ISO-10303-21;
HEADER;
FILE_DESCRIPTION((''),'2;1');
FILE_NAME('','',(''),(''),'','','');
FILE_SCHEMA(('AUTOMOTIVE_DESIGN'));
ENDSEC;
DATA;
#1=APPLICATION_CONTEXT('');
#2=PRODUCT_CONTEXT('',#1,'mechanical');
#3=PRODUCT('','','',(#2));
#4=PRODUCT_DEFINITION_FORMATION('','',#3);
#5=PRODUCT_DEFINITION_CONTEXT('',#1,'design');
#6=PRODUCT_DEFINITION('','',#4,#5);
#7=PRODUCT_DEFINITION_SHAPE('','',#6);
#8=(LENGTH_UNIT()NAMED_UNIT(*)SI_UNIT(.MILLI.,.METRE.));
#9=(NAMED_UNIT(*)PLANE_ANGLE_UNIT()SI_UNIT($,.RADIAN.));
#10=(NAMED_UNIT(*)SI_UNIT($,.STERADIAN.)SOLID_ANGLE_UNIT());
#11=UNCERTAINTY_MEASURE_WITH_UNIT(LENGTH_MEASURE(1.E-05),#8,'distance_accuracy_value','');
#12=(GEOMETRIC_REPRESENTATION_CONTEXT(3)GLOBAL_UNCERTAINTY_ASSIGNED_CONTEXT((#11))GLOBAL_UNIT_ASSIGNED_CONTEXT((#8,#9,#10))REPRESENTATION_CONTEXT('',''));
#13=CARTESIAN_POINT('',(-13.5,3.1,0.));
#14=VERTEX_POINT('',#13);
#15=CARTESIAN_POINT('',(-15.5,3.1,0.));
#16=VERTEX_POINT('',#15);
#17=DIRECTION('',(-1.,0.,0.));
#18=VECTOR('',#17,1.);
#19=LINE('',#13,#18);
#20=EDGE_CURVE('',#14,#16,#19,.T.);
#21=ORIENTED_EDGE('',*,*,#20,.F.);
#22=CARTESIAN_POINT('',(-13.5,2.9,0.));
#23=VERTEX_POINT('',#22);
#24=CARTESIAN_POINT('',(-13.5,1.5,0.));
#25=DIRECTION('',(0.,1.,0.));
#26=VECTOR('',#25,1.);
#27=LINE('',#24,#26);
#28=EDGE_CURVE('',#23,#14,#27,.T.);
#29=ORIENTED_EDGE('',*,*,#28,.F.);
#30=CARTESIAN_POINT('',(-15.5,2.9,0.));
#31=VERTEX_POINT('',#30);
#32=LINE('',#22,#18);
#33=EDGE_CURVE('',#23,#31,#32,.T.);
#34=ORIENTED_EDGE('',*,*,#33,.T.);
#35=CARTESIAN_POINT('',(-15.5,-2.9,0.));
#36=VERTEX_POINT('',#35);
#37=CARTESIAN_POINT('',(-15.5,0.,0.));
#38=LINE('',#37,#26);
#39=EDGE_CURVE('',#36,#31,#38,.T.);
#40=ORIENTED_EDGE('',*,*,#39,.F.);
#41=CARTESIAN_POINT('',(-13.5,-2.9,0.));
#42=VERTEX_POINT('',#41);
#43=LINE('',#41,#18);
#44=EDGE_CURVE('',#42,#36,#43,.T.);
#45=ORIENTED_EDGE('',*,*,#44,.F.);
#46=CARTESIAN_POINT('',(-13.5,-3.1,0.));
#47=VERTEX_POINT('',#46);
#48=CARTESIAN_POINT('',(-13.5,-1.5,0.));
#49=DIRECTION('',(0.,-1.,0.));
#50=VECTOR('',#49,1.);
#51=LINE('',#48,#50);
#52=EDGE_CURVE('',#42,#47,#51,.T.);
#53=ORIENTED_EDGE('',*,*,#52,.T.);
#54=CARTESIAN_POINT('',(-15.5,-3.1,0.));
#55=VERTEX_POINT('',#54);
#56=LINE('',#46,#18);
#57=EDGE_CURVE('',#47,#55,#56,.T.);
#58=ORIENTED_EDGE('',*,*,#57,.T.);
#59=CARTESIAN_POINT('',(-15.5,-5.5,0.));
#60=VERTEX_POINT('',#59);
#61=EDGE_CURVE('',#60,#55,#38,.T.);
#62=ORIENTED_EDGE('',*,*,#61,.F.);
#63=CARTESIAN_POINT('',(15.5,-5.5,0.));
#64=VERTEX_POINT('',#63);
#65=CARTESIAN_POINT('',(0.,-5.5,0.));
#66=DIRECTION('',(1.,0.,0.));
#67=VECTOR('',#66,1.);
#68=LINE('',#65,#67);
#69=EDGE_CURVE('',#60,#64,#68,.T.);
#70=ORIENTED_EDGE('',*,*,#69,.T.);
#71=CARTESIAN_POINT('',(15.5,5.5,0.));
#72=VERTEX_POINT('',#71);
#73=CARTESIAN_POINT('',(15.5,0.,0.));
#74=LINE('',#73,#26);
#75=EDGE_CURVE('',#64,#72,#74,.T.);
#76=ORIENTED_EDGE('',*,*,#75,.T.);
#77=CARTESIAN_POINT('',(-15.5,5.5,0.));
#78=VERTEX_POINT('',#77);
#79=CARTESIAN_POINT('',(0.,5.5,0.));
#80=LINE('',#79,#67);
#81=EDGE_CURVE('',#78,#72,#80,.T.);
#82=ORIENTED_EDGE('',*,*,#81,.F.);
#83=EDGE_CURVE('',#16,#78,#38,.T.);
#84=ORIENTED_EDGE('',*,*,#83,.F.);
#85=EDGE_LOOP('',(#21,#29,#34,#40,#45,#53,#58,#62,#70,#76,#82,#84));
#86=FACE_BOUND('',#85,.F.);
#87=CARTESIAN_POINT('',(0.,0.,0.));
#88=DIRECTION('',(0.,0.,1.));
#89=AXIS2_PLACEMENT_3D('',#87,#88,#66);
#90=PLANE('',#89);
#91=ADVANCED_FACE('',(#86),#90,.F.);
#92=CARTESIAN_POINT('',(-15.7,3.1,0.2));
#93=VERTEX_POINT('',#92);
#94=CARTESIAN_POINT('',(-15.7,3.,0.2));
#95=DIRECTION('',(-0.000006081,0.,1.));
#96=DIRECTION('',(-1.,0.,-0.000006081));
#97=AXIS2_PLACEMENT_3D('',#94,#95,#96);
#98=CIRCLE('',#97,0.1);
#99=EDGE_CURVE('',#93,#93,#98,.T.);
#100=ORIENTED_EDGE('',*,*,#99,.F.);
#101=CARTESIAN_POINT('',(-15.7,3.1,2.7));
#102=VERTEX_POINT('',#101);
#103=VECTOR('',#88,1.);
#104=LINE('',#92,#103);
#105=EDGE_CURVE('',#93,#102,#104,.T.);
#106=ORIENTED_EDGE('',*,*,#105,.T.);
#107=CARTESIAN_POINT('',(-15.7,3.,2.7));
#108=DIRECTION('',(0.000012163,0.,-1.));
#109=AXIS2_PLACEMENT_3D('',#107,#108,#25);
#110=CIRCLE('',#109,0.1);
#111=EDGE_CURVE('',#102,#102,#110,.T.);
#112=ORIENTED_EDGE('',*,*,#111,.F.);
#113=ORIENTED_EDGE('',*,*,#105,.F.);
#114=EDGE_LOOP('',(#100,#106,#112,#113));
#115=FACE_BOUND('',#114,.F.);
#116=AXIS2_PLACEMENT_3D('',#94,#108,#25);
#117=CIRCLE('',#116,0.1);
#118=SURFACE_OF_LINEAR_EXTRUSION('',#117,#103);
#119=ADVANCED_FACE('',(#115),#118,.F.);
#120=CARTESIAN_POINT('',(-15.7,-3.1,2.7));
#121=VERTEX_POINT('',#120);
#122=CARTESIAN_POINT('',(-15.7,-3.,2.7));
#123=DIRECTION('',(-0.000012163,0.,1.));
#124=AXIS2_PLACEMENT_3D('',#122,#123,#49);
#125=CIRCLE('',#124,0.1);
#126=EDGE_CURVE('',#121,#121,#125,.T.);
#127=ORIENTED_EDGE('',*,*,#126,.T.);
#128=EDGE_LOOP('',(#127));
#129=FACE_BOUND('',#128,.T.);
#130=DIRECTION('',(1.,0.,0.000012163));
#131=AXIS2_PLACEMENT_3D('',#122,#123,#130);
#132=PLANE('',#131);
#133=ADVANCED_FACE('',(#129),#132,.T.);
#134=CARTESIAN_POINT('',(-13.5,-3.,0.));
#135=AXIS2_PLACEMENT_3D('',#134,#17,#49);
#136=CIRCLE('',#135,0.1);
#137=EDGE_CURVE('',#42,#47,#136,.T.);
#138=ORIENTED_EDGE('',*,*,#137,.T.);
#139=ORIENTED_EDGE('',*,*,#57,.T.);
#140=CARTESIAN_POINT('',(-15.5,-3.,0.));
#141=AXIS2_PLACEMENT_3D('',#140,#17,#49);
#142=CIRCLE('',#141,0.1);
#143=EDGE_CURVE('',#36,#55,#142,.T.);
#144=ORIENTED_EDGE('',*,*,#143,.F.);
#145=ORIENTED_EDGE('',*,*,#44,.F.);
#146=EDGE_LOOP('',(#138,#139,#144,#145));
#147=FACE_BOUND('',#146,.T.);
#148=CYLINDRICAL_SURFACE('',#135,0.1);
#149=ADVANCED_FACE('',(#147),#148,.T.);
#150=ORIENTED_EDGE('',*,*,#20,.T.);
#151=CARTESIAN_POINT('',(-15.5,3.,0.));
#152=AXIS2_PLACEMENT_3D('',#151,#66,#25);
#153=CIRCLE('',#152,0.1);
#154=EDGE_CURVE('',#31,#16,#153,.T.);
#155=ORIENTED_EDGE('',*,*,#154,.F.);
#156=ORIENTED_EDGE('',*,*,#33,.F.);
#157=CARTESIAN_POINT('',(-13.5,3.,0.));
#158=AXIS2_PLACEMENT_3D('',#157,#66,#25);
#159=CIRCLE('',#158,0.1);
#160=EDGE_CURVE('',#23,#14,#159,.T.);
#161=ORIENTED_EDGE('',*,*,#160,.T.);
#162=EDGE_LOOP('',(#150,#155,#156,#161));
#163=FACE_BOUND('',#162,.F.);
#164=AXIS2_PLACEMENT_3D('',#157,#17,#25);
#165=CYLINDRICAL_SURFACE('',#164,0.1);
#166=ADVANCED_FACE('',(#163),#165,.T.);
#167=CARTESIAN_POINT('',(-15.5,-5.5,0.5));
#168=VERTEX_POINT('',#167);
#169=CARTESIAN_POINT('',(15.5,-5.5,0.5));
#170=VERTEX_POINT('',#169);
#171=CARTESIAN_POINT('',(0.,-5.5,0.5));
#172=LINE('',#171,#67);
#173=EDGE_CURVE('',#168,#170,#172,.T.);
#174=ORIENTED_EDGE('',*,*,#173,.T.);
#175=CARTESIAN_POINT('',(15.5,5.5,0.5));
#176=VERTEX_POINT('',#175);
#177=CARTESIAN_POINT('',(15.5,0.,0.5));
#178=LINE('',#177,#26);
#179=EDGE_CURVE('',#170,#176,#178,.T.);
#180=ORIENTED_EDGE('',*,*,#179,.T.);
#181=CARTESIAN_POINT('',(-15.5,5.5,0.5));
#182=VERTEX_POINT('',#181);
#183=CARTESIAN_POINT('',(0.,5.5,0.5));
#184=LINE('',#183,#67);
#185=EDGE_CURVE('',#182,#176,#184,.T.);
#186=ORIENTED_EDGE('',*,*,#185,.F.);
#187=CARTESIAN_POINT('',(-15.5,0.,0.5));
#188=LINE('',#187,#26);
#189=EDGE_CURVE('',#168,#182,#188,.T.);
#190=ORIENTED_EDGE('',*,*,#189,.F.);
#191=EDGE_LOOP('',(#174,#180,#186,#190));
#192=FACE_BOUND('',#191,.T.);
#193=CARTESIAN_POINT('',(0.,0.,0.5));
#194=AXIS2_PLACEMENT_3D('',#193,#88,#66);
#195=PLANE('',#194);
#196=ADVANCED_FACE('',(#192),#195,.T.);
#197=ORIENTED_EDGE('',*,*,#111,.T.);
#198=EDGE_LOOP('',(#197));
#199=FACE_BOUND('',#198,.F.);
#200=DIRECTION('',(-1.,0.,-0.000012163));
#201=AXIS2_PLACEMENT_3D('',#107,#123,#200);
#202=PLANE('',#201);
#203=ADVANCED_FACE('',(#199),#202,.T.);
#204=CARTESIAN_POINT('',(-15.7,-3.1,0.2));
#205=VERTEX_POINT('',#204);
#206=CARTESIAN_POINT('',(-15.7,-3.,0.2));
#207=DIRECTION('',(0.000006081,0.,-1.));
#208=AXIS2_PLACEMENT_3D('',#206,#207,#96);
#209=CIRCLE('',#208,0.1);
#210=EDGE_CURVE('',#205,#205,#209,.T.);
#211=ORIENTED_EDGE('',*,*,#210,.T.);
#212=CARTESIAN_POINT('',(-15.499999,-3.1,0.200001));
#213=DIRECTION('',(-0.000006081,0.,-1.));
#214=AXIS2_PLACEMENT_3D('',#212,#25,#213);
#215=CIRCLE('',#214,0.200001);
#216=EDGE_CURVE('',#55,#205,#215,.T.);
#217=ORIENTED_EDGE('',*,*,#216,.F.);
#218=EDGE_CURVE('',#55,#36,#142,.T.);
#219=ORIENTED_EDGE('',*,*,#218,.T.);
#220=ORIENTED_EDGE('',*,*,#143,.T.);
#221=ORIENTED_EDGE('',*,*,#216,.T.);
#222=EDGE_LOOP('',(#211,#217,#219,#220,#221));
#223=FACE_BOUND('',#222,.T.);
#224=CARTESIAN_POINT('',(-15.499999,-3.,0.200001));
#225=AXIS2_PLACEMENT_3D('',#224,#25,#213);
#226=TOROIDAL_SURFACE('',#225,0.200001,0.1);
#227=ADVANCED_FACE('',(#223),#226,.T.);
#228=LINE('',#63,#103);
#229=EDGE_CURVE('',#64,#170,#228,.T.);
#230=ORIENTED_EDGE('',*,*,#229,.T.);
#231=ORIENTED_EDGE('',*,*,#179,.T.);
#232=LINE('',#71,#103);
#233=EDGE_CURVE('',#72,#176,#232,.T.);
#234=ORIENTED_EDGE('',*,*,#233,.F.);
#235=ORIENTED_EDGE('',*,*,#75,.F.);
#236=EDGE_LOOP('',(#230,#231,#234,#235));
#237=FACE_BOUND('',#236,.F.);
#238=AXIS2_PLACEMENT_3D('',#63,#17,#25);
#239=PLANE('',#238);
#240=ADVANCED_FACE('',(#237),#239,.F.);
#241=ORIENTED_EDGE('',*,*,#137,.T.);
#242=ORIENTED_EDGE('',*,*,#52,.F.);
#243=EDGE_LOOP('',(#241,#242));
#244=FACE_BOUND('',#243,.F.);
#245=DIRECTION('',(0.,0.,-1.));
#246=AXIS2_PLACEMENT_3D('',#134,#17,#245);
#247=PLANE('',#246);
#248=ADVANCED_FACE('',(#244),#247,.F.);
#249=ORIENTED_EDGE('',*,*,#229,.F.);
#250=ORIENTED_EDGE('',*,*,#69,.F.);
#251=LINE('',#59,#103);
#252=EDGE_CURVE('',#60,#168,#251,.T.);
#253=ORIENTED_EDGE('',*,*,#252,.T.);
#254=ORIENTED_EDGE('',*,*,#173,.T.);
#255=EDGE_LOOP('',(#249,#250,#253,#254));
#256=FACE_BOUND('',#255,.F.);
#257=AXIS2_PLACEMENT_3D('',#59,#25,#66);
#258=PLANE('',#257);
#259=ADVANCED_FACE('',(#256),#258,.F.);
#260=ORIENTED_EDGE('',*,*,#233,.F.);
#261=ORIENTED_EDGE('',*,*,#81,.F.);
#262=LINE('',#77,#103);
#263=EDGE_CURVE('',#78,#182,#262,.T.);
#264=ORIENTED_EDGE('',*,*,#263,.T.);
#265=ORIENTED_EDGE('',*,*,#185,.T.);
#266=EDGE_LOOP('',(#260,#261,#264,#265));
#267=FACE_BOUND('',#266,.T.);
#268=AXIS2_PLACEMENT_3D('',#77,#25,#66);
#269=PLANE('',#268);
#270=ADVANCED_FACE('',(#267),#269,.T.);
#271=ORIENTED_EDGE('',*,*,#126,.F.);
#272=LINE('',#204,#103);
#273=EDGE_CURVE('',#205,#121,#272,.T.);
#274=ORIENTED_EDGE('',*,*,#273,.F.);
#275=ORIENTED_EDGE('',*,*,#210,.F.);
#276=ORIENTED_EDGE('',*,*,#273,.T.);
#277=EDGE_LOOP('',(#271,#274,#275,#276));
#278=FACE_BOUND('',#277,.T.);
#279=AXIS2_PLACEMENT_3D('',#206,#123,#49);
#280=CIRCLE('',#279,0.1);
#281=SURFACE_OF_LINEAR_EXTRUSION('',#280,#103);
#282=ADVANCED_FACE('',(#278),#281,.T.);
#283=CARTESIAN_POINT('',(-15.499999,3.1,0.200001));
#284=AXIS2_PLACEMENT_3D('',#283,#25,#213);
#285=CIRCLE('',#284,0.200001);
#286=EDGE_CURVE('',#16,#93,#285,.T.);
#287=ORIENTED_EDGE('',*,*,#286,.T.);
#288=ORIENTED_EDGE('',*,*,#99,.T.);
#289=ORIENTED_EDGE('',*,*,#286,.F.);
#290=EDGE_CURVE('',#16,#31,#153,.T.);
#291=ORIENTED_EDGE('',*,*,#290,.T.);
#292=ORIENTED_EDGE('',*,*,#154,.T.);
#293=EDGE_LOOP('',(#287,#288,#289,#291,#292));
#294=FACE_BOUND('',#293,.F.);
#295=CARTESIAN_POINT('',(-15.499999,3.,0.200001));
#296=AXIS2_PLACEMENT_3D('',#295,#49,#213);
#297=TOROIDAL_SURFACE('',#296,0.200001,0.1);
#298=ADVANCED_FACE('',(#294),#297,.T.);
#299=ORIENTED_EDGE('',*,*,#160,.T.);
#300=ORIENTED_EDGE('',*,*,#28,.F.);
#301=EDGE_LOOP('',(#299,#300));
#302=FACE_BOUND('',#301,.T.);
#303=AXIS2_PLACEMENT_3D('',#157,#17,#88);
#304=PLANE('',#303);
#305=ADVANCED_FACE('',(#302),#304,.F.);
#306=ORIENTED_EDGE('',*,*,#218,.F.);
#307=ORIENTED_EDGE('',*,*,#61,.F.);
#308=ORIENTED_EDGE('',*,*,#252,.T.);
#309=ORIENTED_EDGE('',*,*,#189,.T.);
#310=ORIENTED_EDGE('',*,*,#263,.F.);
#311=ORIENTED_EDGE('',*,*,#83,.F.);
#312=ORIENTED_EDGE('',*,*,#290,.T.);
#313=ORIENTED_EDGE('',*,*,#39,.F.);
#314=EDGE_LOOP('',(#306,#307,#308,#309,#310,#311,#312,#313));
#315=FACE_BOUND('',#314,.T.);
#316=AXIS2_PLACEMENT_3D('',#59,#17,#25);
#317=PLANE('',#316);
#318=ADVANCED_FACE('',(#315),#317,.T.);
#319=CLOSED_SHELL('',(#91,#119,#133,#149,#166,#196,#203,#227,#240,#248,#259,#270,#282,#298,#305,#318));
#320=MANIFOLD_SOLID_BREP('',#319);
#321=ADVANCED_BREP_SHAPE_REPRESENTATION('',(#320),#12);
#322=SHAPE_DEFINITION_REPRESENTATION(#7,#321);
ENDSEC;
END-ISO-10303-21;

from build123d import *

# Parameters (mm, degrees)
SKETCH005_W  = 31
SKETCH005_H  = 11
PAD001_DEPTH = 0.5
SKETCH006_R  = 0.1


with BuildPart() as part:
    # Sketch005 → Pad001 (new body)
    with BuildSketch(Plane.XY):
        Rectangle(SKETCH005_W, SKETCH005_H)
    extrude(amount=PAD001_DEPTH)

    # AdditivePipe001: sweep along a path in Sketch008
    with BuildLine(Plane(origin=(-13.5, -3, 0), x_dir=(-1, 0, 0), z_dir=(0, 1, 0))) as additivepipe001_path:
        Line((0, 0), (2, 0))
        ThreePointArc((2, 0), (2.141421, 0.058579), (2.2, 0.2))
        Line((2.2, 0.2), (2.2, 2.7))
    # Sketch006 (on DatumPlane) → AdditivePipe001 (sweep)
    with BuildSketch(Plane(origin=(-13.5, 0, 0), x_dir=(0, -1, 0), z_dir=(-1, 0, 0))):
        with Locations((3, 0)):
            Circle(SKETCH006_R)
    additivepipe001 = sweep(path=additivepipe001_path.line)

    # Mirrored001: AdditivePipe001 across Sketch006 V_Axis
    add(additivepipe001.mirror(Plane(origin=(-13.5, 0, 0), x_dir=(-1, 0, 0), z_dir=(0, -1, 0))))


solid = part.part
